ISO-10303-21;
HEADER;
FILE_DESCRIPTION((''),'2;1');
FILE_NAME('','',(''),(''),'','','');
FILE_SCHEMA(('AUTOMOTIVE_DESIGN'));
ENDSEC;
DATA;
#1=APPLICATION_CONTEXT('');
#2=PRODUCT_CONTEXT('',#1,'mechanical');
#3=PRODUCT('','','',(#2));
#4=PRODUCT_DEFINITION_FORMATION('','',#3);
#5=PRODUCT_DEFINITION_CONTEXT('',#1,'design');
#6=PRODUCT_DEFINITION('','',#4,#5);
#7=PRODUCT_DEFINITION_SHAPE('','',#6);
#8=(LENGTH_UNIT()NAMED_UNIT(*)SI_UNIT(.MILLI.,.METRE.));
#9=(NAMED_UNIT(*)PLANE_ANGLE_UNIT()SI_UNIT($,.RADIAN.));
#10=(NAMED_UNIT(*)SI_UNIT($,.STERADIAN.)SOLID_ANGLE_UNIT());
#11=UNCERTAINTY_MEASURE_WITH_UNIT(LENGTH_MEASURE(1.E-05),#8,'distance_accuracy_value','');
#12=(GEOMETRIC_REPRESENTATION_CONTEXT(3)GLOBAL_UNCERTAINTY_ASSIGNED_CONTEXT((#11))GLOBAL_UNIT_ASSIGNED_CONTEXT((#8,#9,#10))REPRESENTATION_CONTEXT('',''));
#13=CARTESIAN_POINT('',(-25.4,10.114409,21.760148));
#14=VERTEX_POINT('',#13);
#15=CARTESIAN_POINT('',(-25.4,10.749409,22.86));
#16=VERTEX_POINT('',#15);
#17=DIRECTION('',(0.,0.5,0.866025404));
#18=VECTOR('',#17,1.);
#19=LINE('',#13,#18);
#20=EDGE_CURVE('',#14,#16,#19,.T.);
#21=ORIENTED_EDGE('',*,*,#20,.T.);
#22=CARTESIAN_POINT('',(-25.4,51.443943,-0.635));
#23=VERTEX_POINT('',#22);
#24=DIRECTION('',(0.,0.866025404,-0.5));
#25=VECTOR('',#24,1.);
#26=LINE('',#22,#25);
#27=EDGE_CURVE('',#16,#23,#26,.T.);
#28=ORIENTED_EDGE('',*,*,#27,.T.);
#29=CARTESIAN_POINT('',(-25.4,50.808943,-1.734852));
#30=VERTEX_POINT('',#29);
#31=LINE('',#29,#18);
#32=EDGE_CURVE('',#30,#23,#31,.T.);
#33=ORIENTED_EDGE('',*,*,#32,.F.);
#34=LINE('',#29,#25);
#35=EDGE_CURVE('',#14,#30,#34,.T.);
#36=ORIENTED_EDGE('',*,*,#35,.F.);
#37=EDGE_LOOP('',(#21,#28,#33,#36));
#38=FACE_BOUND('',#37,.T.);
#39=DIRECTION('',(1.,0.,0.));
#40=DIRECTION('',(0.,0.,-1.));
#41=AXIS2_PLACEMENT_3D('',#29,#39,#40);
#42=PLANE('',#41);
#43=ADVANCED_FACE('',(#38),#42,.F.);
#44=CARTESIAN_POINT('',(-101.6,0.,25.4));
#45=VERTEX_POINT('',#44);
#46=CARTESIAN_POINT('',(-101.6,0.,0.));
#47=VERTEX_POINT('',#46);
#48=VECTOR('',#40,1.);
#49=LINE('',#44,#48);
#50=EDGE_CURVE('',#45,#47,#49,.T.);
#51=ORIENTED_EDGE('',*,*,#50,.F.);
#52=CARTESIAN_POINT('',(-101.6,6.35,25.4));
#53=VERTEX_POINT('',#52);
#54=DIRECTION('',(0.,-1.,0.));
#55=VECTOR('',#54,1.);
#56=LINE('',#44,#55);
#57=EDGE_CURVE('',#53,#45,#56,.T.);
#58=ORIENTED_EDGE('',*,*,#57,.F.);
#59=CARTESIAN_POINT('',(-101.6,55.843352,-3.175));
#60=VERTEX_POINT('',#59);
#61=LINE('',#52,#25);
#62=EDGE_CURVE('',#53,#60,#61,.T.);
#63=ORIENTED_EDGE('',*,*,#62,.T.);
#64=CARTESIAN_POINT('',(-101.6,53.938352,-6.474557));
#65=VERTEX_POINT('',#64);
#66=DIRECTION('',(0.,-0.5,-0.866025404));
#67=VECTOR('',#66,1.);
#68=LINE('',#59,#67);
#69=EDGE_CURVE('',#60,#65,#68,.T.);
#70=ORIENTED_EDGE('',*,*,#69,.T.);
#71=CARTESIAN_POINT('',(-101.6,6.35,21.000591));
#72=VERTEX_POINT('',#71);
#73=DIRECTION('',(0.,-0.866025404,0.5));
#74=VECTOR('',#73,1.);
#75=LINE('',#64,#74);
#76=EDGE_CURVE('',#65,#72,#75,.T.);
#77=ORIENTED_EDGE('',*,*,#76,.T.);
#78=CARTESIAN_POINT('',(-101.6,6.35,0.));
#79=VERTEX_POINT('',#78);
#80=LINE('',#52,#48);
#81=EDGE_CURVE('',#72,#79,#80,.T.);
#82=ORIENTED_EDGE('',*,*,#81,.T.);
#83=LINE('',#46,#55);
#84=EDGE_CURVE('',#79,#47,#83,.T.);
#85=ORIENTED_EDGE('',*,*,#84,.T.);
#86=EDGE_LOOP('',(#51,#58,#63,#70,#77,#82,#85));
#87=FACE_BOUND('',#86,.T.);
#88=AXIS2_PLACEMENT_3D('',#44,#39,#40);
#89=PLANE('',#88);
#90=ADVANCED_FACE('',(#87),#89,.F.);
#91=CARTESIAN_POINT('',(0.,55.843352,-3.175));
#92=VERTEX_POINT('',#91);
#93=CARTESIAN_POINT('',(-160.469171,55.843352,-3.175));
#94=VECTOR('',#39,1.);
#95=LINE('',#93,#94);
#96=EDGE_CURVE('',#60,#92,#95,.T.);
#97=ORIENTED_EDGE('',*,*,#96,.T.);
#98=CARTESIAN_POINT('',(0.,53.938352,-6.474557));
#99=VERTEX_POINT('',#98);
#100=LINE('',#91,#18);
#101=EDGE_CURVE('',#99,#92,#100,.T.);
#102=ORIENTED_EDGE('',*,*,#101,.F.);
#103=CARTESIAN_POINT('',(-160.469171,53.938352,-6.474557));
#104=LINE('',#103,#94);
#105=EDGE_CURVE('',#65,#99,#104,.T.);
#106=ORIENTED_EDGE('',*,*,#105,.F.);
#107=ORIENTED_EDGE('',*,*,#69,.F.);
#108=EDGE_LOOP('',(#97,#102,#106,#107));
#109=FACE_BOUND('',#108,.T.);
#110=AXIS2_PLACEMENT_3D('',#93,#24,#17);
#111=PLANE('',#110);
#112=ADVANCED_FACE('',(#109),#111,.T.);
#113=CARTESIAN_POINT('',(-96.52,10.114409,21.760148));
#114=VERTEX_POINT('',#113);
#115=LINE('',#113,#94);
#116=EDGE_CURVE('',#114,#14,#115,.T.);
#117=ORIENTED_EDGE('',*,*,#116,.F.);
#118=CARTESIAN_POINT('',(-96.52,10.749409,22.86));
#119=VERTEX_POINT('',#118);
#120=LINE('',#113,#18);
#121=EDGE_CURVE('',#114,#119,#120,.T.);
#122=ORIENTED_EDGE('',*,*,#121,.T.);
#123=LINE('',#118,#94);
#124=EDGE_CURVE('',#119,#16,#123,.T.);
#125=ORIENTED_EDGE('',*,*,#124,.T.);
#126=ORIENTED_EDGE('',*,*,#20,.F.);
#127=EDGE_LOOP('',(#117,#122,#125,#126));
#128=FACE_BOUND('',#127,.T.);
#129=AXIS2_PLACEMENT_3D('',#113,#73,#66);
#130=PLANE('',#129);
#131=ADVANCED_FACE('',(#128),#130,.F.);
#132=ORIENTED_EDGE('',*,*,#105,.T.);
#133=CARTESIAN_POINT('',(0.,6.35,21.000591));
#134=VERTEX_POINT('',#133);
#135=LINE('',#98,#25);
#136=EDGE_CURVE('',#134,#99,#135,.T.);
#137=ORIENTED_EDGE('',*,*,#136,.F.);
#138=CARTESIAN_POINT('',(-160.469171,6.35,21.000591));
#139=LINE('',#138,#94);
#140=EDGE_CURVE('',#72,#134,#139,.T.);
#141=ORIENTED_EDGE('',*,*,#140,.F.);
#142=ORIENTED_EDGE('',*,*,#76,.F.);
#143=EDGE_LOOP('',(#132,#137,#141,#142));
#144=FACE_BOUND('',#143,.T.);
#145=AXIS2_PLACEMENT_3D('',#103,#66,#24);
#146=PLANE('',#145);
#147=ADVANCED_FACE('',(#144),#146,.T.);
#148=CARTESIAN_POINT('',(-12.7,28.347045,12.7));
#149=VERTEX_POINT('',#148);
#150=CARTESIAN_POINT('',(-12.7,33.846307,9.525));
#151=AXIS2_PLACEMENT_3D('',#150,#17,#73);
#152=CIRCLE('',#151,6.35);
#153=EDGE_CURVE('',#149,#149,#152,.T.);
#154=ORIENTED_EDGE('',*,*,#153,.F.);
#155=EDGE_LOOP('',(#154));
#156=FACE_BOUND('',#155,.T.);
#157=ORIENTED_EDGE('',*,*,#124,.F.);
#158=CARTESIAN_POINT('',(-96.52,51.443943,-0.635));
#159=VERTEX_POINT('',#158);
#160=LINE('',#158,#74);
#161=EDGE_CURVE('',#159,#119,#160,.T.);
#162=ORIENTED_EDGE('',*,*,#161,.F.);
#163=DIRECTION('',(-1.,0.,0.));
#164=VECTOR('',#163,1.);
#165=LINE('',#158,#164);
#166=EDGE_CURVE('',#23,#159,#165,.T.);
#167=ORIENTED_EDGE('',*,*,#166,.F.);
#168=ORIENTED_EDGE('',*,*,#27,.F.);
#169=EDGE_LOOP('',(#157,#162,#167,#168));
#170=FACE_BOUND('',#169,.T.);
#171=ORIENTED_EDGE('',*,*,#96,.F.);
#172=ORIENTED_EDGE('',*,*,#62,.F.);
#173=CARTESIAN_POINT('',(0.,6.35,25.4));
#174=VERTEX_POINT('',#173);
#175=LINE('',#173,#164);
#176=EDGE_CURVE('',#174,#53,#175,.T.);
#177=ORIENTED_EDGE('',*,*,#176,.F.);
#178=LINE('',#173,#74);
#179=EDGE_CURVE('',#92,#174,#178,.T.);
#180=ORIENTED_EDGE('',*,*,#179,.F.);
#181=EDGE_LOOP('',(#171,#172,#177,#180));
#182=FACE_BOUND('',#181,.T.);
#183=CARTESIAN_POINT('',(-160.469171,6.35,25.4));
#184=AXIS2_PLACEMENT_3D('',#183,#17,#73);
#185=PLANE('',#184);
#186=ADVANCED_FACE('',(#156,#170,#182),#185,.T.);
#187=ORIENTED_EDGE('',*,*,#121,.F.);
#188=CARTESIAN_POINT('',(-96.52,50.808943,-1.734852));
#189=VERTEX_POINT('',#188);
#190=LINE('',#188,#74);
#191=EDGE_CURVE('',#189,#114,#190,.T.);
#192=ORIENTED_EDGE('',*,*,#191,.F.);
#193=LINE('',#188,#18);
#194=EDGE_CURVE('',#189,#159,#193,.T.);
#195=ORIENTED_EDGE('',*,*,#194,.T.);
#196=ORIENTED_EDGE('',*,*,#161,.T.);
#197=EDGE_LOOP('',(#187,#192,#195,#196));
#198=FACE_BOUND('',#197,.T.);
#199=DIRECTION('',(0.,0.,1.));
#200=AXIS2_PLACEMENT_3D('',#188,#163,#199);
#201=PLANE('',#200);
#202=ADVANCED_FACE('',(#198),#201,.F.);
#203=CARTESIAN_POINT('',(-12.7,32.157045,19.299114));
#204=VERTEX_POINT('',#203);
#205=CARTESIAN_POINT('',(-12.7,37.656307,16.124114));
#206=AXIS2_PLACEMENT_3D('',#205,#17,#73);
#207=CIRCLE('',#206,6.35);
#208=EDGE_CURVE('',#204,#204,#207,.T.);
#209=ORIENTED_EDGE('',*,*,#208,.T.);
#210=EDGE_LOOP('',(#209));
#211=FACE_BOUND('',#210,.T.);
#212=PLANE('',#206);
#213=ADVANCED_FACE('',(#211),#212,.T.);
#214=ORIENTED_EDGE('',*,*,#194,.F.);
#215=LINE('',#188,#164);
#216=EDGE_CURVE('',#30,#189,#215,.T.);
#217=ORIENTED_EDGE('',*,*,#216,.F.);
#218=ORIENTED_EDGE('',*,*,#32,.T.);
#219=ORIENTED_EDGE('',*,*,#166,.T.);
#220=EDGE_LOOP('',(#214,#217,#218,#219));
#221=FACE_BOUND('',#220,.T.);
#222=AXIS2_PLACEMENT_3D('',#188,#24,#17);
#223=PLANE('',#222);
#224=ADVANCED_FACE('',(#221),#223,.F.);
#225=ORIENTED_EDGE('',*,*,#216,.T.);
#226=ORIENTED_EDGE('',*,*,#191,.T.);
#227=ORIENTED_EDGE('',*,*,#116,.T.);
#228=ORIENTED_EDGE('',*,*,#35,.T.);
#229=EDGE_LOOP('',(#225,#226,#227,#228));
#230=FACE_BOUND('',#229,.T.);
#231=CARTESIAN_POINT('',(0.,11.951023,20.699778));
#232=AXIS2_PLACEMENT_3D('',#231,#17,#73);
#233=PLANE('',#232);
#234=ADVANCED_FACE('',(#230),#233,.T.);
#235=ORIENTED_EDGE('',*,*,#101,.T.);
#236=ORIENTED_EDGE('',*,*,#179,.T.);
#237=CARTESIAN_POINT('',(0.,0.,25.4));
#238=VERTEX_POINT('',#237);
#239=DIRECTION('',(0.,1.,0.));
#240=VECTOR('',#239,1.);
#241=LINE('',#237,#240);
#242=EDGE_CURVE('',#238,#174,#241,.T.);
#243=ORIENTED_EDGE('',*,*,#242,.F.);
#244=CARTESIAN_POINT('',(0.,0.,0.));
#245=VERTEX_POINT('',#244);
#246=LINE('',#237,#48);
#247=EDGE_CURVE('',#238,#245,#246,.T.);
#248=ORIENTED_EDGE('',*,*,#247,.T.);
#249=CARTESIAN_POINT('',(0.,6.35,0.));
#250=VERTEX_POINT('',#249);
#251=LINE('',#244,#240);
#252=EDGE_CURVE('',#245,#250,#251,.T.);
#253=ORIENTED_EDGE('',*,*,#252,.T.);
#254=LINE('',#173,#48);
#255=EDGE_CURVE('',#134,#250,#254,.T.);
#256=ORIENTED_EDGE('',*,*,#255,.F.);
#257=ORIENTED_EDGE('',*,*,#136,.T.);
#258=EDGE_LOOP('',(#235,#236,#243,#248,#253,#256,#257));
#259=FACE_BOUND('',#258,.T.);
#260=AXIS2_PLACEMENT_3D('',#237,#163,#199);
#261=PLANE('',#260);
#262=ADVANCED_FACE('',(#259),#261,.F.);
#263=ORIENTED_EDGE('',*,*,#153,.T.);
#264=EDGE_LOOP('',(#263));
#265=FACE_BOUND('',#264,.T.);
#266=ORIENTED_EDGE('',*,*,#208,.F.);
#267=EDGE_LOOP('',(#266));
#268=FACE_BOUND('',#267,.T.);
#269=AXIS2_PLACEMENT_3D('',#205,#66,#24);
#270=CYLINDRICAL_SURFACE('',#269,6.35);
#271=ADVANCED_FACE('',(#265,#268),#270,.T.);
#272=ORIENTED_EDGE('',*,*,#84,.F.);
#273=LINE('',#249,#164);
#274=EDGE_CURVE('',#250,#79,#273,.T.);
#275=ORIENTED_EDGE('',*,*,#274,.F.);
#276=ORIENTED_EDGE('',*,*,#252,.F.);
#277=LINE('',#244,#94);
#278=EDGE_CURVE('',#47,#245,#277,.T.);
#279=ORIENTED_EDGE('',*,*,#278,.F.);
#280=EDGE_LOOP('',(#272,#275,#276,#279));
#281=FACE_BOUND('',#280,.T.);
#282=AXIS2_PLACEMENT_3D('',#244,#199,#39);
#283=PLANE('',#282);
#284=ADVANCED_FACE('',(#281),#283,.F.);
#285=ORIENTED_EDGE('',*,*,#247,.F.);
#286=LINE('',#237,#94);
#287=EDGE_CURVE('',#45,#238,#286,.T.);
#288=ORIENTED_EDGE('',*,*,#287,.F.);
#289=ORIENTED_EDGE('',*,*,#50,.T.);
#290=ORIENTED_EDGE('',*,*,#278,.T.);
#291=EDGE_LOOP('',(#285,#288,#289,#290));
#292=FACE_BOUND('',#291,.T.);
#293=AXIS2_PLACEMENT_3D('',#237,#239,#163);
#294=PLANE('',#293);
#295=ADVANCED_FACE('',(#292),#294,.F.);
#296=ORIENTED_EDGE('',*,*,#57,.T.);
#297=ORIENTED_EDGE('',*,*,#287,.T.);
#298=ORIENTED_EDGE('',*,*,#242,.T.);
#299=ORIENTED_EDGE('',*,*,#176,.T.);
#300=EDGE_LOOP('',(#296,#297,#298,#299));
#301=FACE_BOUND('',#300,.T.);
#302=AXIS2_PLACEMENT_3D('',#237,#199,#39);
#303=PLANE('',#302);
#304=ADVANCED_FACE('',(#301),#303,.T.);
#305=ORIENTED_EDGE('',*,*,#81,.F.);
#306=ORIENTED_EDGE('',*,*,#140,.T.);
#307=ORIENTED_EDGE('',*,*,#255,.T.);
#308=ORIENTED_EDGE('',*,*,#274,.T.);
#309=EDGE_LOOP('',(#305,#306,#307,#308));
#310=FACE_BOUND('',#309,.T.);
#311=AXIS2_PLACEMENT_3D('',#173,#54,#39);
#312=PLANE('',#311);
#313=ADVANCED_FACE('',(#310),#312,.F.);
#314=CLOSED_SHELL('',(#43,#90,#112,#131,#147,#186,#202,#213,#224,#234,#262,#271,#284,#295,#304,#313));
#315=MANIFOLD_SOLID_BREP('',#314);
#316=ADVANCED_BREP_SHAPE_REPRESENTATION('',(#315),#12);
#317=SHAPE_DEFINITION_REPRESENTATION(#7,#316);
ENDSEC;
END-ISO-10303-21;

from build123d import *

# Parameters (mm, degrees)
SKETCH1_W           = 101.6
SKETCH1_H           = 6.35
BOSS_EXTRUDE1_DEPTH = 25.4
BOSS_EXTRUDE2_DEPTH = 101.6
SKETCH3_W           = 71.12
SKETCH3_H           = 46.99
CUT_EXTRUDE1_DEPTH  = 1.27
SKETCH4_R           = 6.35
BOSS_EXTRUDE3_DEPTH = 7.62


with BuildPart() as part:
    # Sketch1 → Boss-Extrude1 (new body)
    with BuildSketch(Plane.XY):
        with Locations((-50.8, 3.175)):
            Rectangle(SKETCH1_W, SKETCH1_H)
    extrude(amount=BOSS_EXTRUDE1_DEPTH)

    # Sketch2 → Boss-Extrude2 (add)
    with BuildSketch(Plane(origin=(0, 0, 0), x_dir=(0, 0, -1), z_dir=(1, 0, 0))):
        Polygon((-25.4, 6.35), (3.175, 55.843351826), (6.474556788, 53.938351826), (-21.000590949, 6.35), align=None)
    extrude(amount=-BOSS_EXTRUDE2_DEPTH)

    # Sketch3 → Cut-Extrude1 (cut)
    with BuildSketch(Plane(origin=(0, 12.586022628, 21.799630657), x_dir=(1, 0, 0), z_dir=(0, 0.5, 0.866025404))):
        with Locations((-60.96, 21.374261314)):
            Rectangle(SKETCH3_W, SKETCH3_H)
    extrude(amount=-CUT_EXTRUDE1_DEPTH, mode=Mode.SUBTRACT)

    # Sketch4 → Boss-Extrude3 (add)
    with BuildSketch(Plane(origin=(0, 12.586022628, 21.799630657), x_dir=(1, 0, 0), z_dir=(0, 0.5, 0.866025404))):
        with Locations((-12.7, 24.549261314)):
            Circle(SKETCH4_R)
    extrude(amount=BOSS_EXTRUDE3_DEPTH)


solid = part.part
